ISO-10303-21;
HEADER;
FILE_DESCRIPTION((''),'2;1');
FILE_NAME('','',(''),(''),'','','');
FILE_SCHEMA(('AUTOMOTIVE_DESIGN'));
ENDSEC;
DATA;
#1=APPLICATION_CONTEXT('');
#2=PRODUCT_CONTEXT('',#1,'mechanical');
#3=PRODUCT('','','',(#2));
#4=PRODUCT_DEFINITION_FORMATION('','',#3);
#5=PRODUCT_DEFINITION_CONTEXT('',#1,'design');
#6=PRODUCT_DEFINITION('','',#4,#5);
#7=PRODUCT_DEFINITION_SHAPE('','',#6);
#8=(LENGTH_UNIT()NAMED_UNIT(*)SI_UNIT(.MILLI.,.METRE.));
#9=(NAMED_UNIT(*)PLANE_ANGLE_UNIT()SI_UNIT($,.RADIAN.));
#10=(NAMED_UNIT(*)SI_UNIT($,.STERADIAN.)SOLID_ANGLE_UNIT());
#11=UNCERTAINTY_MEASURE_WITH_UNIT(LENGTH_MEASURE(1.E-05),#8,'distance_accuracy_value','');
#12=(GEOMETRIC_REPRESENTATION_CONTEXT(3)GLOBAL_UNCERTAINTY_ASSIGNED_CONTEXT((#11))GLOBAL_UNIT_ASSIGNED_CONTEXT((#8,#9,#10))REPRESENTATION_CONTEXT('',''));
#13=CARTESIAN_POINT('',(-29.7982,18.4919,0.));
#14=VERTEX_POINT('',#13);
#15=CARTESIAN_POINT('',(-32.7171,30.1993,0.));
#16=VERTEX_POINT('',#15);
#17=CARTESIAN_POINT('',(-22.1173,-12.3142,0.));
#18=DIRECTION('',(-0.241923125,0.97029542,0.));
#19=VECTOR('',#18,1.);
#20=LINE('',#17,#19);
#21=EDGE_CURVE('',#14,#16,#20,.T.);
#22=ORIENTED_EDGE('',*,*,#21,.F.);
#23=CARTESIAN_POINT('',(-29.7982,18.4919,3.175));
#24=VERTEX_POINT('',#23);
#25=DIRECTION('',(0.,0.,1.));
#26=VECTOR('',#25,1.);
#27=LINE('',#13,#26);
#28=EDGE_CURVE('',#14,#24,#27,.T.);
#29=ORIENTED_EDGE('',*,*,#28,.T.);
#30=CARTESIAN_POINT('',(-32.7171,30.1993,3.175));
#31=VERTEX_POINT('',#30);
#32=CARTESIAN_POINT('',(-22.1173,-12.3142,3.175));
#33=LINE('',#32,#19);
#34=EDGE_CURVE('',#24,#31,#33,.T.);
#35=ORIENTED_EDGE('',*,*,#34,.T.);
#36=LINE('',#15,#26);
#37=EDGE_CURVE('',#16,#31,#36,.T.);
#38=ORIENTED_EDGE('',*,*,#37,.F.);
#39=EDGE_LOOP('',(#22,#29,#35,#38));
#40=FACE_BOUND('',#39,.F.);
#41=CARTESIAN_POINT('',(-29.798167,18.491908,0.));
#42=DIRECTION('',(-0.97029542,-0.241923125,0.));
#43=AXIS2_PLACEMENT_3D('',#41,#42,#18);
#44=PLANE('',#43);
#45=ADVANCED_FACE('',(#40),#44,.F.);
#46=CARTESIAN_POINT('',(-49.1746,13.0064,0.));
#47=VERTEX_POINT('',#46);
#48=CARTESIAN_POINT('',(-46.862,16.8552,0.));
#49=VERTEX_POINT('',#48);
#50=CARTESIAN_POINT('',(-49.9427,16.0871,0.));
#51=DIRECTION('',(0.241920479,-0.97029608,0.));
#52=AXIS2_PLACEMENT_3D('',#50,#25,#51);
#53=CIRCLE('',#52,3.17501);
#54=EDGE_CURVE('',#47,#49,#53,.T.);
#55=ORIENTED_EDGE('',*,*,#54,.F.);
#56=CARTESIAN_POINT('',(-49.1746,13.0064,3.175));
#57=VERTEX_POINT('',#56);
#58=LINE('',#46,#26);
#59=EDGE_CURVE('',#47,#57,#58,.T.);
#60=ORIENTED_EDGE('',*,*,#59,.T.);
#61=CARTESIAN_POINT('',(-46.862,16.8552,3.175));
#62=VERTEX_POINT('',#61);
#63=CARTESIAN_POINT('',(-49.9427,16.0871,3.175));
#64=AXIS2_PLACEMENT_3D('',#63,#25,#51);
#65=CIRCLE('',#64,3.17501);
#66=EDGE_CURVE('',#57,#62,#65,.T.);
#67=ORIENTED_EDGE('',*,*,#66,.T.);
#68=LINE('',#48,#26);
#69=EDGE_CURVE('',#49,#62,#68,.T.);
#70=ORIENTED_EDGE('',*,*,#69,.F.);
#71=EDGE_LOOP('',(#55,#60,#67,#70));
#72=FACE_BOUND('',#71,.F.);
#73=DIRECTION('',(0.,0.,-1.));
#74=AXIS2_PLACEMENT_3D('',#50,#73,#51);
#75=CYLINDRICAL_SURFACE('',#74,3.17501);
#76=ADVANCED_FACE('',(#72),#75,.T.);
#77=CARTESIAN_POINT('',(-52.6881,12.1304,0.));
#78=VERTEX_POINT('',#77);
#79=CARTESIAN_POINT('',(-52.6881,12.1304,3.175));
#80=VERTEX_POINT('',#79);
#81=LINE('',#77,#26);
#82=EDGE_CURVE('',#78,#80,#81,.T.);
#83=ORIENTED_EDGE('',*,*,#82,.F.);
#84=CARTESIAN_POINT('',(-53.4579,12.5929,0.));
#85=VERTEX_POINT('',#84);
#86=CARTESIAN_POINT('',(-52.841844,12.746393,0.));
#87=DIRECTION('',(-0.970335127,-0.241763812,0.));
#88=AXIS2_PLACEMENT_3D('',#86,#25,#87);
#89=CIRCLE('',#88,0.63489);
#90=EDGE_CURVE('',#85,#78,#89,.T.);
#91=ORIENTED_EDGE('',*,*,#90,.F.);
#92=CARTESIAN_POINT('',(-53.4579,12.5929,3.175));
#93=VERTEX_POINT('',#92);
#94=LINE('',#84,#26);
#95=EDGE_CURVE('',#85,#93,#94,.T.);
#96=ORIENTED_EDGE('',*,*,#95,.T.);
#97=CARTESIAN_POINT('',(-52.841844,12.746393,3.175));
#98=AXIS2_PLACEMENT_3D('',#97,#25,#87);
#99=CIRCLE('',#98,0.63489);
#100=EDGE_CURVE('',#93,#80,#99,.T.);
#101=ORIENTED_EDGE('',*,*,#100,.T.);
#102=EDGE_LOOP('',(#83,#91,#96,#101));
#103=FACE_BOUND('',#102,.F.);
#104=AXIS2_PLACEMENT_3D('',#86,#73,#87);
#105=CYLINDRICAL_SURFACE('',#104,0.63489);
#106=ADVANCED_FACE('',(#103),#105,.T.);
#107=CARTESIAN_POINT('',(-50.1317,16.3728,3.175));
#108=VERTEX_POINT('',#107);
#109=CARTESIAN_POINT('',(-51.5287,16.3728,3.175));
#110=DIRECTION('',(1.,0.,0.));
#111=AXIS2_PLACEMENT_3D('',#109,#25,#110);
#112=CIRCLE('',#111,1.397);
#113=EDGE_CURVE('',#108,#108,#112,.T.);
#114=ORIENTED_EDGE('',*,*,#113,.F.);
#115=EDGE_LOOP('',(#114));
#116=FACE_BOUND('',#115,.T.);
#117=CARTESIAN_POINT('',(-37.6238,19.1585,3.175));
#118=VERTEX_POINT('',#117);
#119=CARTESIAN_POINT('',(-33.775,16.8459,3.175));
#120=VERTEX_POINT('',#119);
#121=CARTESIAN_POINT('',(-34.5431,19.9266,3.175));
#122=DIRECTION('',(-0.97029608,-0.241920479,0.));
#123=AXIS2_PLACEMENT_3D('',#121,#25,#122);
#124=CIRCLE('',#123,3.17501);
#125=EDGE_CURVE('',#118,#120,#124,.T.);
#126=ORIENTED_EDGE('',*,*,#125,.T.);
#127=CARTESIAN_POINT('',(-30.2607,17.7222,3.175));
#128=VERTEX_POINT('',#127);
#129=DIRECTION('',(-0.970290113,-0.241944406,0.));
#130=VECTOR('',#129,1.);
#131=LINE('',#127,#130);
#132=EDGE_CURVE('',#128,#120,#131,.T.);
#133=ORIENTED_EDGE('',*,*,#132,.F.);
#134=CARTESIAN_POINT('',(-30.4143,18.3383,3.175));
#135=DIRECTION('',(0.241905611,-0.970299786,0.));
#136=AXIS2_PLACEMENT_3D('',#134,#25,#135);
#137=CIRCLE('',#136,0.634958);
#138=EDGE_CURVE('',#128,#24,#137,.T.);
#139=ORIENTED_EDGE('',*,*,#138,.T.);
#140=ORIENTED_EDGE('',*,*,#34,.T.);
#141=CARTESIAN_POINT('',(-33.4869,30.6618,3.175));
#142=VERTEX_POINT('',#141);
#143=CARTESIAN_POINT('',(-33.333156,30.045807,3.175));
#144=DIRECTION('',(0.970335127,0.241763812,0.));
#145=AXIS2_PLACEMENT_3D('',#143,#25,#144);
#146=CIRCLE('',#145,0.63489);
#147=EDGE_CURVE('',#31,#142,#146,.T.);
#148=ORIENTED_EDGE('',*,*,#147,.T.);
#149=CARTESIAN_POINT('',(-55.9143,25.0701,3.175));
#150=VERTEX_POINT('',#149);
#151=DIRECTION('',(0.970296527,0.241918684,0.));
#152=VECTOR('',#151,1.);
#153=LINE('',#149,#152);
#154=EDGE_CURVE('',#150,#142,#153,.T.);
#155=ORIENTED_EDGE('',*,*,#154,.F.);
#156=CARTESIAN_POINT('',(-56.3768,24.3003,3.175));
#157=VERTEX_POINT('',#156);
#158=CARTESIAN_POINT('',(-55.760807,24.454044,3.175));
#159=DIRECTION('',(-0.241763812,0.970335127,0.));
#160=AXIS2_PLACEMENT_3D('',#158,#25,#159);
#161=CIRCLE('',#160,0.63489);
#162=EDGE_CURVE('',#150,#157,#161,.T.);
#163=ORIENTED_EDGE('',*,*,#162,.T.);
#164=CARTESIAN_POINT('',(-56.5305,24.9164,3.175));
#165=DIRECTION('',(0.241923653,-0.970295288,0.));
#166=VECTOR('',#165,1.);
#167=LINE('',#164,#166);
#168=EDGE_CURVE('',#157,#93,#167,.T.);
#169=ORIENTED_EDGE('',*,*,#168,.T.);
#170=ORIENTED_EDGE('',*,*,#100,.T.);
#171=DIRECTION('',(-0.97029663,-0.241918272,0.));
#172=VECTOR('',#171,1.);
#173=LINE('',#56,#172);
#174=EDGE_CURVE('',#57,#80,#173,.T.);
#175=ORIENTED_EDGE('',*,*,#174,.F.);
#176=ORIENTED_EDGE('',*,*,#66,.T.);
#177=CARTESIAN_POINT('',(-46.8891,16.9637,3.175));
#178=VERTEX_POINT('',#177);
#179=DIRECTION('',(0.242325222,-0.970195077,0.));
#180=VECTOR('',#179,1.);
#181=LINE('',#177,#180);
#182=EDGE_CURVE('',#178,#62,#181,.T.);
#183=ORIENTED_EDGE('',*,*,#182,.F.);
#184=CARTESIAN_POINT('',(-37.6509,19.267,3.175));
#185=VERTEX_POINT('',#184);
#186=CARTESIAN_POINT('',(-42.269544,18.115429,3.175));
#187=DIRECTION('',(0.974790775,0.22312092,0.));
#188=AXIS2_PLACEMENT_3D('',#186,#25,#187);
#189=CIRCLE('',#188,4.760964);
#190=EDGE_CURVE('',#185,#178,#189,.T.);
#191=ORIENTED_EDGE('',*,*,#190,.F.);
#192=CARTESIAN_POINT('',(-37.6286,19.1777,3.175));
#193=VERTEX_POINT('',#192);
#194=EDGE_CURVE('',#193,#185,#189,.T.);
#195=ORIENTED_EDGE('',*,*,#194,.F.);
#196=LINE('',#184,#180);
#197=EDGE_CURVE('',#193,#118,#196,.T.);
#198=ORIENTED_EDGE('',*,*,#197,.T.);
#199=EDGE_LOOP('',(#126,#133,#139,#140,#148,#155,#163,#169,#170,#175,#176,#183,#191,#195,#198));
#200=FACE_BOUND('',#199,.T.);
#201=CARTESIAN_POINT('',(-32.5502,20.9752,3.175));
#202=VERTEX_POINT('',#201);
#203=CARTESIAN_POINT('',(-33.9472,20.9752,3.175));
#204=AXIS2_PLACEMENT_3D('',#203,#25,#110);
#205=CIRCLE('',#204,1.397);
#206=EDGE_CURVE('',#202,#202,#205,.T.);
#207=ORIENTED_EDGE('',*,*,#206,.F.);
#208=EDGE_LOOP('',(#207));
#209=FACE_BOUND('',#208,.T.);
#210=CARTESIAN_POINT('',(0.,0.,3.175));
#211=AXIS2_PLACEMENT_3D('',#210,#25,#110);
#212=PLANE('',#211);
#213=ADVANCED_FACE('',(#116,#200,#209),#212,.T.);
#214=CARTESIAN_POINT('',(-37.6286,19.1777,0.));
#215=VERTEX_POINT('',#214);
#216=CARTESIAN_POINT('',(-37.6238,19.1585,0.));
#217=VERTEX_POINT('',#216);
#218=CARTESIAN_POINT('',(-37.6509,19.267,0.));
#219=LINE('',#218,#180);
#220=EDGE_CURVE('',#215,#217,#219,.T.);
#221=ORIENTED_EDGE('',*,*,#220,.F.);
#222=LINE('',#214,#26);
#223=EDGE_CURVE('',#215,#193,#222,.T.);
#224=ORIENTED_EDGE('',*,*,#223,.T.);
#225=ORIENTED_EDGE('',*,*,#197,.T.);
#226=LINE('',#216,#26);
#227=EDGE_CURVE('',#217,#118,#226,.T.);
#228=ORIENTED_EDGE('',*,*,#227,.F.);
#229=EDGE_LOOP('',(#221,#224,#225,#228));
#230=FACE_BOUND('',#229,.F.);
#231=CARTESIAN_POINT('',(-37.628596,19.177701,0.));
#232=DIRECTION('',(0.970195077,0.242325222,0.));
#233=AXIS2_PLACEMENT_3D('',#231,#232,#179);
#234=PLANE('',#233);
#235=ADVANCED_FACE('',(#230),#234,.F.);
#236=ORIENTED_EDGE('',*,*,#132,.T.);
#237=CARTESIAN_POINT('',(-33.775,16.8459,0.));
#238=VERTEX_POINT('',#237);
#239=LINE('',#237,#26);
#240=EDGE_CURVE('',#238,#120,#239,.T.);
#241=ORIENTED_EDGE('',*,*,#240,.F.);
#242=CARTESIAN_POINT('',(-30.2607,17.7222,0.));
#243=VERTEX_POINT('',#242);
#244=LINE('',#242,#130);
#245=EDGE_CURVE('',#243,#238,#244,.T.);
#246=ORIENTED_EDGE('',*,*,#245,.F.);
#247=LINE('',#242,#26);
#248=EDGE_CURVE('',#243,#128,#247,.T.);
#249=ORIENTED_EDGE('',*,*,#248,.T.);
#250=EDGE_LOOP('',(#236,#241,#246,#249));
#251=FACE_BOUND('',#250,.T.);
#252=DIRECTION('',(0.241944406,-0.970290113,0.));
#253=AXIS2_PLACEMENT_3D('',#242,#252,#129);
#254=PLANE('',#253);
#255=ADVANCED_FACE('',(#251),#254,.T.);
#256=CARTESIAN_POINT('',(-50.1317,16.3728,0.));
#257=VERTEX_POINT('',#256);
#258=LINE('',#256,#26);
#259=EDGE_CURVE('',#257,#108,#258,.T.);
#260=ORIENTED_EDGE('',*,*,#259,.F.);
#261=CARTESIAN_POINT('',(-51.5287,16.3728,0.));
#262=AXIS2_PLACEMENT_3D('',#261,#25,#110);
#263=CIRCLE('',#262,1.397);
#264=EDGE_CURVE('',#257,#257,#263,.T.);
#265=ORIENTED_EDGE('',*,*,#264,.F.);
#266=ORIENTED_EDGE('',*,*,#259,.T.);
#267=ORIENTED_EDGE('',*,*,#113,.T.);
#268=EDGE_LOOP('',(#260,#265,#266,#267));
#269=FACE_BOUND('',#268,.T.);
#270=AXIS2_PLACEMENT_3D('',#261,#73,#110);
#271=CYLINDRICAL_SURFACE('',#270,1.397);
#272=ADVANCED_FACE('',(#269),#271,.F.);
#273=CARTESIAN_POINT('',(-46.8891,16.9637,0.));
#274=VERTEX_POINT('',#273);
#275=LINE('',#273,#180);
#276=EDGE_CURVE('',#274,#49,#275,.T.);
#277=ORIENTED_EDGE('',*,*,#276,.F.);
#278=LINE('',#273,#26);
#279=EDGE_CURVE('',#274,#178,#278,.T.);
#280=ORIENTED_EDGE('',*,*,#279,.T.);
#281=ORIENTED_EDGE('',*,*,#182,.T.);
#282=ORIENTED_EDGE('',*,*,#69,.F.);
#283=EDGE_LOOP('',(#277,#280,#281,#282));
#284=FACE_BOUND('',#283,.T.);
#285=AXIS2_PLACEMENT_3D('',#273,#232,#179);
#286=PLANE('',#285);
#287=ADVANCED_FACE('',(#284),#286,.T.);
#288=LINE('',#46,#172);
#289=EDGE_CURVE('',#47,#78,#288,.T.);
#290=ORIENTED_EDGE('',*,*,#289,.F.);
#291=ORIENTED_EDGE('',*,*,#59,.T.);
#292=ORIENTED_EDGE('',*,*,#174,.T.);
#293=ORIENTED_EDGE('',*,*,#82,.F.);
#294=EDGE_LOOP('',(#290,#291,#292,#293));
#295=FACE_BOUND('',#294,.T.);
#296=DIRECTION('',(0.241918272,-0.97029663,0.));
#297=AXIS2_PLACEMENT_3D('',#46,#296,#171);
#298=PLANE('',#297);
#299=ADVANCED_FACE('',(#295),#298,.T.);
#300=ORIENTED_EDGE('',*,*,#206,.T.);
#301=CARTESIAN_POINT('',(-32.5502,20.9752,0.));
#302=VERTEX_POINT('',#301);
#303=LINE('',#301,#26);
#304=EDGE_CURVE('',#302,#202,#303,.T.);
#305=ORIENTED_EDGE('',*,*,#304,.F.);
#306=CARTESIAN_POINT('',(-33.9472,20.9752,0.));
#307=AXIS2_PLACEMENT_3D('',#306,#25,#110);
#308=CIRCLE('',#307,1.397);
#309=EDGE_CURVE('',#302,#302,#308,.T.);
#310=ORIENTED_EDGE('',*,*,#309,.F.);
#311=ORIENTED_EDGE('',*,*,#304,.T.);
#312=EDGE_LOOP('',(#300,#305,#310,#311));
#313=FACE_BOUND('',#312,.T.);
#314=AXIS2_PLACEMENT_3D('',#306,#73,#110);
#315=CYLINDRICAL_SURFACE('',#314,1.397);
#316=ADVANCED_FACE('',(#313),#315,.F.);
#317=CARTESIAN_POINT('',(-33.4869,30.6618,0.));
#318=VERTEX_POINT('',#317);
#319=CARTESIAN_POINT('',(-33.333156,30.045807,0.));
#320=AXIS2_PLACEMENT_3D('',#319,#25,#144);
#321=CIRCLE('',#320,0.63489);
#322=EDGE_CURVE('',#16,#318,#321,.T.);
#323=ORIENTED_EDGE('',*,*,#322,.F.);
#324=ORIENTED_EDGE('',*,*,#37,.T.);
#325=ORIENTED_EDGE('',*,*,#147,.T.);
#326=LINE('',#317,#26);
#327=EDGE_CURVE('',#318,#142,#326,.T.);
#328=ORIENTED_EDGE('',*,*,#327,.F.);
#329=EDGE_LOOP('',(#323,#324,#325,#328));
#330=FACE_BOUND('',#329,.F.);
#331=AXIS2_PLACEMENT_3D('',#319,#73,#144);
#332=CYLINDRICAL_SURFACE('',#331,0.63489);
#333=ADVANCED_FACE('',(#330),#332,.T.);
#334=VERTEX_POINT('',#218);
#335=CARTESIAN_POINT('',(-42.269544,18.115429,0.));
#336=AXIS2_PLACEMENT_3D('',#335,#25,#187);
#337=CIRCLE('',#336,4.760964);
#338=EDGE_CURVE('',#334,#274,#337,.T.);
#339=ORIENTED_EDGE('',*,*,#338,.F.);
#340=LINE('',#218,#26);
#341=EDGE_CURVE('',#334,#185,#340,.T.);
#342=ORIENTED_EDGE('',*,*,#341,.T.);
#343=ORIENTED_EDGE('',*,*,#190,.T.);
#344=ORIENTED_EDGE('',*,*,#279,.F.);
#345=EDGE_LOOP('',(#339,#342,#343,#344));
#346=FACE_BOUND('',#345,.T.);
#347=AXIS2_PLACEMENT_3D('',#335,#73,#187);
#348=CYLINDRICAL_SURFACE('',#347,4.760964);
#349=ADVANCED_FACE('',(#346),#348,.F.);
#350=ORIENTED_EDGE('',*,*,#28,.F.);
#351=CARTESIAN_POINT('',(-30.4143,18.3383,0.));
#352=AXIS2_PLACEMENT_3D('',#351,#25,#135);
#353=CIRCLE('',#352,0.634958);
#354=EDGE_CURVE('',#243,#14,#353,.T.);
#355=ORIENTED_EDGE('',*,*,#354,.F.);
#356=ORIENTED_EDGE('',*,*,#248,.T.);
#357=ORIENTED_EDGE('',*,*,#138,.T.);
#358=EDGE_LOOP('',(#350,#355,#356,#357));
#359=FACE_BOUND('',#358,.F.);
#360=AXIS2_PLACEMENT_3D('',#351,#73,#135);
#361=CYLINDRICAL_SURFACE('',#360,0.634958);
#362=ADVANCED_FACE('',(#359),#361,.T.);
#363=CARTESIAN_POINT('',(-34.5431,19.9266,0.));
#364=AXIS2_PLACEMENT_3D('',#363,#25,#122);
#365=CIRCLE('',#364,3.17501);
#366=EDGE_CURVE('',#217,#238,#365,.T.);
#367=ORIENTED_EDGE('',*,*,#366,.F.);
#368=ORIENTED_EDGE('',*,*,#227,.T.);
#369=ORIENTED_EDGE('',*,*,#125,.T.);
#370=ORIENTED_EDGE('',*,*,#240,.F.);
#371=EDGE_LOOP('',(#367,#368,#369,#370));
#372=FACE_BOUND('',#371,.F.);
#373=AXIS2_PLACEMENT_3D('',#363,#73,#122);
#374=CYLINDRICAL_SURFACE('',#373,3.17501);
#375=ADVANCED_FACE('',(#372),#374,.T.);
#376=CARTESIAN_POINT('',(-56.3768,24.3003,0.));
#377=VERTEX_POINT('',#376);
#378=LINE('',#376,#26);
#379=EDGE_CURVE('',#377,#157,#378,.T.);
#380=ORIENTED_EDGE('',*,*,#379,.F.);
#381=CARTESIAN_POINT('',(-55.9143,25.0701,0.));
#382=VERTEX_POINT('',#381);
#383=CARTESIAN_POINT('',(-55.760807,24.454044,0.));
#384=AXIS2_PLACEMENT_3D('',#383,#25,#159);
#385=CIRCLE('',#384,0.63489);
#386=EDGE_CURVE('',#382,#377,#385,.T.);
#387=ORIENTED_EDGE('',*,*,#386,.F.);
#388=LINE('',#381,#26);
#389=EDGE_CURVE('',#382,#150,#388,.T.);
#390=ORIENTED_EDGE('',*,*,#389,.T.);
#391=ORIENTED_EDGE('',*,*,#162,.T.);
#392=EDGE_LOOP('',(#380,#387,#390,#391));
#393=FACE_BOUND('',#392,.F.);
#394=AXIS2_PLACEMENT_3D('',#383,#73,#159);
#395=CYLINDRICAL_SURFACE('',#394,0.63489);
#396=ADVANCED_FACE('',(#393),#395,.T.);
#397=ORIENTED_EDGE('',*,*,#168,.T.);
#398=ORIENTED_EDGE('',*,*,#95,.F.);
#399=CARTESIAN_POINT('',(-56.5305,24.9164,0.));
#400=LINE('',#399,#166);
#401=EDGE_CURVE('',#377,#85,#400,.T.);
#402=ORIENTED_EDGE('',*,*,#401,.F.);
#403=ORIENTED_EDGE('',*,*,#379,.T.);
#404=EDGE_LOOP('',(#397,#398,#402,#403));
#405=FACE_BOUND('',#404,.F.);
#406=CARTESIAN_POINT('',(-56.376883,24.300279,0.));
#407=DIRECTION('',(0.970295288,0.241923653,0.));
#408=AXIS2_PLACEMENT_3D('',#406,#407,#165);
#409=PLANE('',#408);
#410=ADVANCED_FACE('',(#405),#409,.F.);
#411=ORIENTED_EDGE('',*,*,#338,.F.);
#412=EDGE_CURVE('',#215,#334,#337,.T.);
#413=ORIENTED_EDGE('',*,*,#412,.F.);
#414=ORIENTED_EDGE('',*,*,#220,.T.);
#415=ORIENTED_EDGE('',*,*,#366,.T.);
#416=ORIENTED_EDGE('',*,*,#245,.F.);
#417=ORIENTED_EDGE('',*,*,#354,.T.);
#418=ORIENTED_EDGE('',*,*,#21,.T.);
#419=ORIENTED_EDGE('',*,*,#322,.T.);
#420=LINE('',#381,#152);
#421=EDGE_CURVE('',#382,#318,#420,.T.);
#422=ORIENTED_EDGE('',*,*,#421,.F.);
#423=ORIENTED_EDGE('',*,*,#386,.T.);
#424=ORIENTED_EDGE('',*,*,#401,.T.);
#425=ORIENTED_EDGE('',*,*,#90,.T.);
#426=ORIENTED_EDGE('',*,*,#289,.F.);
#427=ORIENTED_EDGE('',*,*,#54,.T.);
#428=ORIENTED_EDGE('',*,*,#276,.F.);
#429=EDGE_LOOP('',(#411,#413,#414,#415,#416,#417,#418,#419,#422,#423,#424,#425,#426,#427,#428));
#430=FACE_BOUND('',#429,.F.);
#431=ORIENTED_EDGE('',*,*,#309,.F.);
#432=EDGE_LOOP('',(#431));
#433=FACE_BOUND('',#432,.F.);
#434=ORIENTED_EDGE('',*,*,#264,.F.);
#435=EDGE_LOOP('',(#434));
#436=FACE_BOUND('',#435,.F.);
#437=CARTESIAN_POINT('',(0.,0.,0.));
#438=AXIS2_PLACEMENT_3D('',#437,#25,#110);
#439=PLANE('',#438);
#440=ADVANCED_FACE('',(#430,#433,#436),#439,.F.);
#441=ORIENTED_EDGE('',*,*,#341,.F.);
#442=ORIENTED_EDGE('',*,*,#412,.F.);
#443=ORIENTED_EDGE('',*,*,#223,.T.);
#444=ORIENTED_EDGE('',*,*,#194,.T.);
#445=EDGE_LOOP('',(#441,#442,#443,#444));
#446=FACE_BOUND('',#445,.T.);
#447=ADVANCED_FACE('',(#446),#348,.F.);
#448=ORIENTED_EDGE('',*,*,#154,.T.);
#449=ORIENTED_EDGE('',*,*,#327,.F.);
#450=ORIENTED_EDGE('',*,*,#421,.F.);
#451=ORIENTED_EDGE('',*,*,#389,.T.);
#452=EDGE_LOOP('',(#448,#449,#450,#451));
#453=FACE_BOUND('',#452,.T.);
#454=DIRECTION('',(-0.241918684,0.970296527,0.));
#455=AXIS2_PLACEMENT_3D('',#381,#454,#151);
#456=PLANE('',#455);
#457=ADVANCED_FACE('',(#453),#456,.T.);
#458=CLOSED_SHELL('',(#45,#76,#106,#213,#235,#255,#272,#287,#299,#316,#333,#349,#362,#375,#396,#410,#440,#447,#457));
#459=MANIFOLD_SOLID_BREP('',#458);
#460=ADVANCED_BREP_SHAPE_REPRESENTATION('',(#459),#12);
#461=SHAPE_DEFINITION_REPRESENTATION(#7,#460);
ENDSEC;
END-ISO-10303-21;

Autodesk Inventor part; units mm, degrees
ref_plane "YZ Plane" through (0, 0, 0) normal (1, 0, 0) x (0, 1, 0)
ref_plane "XZ Plane" through (0, 0, 0) normal (0, 1, 0) x (-1, 0, 0)
ref_plane "XY Plane" through (0, 0, 0) normal (0, 0, 1) x (1, 0, 0)
ref_plane "Work Plane1" through (0, 0, 0) normal (0, 0, 1) x (1, 0, 0)
sketch "Sketch1" plane through (0, 0, 0) normal (0, 0, 1) x (1, 0, 0)
  circle A0 centre (-51.5287, 16.3728) radius 1.397 projected
  circle A1 centre (-33.9472, 20.9752) radius 1.397 projected
  line L0 (-56.5305, 24.9164) -> (-45.777, -18.2132) projected
  line L1 (-22.1173, -12.3142) -> (-32.8708, 30.8155) projected
  line L2 (-55.9143, 25.0701) -> (-33.4869, 30.6618)
  line L3 (-32.7171, 30.1993) -> (-29.7982, 18.4919)
  line L4 (-53.4579, 12.5929) -> (-56.3768, 24.3003)
  circle A2 centre (-42.2695, 18.1155) radius 1.5875 projected
  arc A3 (-37.6286, 19.1777) -> (-46.8891, 16.9637) centre (-42.2695, 18.1155) ccw
  line L5 (-42.2695, 18.1155) -> (-54.0994, 15.1659) construction
  line L6 (-46.8891, 16.9637) -> (-46.862, 16.8552)
  line L7 (-37.6509, 19.267) -> (-37.6238, 19.1585)
  line L8 (-30.2607, 17.7222) -> (-33.775, 16.8459)
  line L9 (-49.1746, 13.0064) -> (-52.6881, 12.1304)
  arc A4 (-49.1746, 13.0064) -> (-46.862, 16.8552) centre (-49.9427, 16.0871) ccw
  arc A5 (-37.6238, 19.1585) -> (-33.775, 16.8459) centre (-34.5431, 19.9266) ccw
  arc A6 (-55.9143, 25.0701) -> (-56.3768, 24.3003) centre (-55.7607, 24.4539) ccw
  arc A7 (-32.7171, 30.1993) -> (-33.4869, 30.6618) centre (-33.3333, 30.0457) ccw
  arc A8 (-53.4579, 12.5929) -> (-52.6881, 12.1304) centre (-52.8417, 12.7465) ccw
  arc A9 (-30.2607, 17.7222) -> (-29.7982, 18.4919) centre (-30.4143, 18.3383) ccw
  point P0 (0, 0)
  dimension "d0" = 3.175
  dimension "d1" = 0.635
  dimension "d2" = 0.635
extrude "Extrusion1" add sketch "Sketch1" along normal blind 3.175 contours A6 L2 A7 L1 A9 L8 A5 L7 A3 L6 A4 L9 A8 L0
properties part number "spacerBlock01" material "Wood (Maple)"
